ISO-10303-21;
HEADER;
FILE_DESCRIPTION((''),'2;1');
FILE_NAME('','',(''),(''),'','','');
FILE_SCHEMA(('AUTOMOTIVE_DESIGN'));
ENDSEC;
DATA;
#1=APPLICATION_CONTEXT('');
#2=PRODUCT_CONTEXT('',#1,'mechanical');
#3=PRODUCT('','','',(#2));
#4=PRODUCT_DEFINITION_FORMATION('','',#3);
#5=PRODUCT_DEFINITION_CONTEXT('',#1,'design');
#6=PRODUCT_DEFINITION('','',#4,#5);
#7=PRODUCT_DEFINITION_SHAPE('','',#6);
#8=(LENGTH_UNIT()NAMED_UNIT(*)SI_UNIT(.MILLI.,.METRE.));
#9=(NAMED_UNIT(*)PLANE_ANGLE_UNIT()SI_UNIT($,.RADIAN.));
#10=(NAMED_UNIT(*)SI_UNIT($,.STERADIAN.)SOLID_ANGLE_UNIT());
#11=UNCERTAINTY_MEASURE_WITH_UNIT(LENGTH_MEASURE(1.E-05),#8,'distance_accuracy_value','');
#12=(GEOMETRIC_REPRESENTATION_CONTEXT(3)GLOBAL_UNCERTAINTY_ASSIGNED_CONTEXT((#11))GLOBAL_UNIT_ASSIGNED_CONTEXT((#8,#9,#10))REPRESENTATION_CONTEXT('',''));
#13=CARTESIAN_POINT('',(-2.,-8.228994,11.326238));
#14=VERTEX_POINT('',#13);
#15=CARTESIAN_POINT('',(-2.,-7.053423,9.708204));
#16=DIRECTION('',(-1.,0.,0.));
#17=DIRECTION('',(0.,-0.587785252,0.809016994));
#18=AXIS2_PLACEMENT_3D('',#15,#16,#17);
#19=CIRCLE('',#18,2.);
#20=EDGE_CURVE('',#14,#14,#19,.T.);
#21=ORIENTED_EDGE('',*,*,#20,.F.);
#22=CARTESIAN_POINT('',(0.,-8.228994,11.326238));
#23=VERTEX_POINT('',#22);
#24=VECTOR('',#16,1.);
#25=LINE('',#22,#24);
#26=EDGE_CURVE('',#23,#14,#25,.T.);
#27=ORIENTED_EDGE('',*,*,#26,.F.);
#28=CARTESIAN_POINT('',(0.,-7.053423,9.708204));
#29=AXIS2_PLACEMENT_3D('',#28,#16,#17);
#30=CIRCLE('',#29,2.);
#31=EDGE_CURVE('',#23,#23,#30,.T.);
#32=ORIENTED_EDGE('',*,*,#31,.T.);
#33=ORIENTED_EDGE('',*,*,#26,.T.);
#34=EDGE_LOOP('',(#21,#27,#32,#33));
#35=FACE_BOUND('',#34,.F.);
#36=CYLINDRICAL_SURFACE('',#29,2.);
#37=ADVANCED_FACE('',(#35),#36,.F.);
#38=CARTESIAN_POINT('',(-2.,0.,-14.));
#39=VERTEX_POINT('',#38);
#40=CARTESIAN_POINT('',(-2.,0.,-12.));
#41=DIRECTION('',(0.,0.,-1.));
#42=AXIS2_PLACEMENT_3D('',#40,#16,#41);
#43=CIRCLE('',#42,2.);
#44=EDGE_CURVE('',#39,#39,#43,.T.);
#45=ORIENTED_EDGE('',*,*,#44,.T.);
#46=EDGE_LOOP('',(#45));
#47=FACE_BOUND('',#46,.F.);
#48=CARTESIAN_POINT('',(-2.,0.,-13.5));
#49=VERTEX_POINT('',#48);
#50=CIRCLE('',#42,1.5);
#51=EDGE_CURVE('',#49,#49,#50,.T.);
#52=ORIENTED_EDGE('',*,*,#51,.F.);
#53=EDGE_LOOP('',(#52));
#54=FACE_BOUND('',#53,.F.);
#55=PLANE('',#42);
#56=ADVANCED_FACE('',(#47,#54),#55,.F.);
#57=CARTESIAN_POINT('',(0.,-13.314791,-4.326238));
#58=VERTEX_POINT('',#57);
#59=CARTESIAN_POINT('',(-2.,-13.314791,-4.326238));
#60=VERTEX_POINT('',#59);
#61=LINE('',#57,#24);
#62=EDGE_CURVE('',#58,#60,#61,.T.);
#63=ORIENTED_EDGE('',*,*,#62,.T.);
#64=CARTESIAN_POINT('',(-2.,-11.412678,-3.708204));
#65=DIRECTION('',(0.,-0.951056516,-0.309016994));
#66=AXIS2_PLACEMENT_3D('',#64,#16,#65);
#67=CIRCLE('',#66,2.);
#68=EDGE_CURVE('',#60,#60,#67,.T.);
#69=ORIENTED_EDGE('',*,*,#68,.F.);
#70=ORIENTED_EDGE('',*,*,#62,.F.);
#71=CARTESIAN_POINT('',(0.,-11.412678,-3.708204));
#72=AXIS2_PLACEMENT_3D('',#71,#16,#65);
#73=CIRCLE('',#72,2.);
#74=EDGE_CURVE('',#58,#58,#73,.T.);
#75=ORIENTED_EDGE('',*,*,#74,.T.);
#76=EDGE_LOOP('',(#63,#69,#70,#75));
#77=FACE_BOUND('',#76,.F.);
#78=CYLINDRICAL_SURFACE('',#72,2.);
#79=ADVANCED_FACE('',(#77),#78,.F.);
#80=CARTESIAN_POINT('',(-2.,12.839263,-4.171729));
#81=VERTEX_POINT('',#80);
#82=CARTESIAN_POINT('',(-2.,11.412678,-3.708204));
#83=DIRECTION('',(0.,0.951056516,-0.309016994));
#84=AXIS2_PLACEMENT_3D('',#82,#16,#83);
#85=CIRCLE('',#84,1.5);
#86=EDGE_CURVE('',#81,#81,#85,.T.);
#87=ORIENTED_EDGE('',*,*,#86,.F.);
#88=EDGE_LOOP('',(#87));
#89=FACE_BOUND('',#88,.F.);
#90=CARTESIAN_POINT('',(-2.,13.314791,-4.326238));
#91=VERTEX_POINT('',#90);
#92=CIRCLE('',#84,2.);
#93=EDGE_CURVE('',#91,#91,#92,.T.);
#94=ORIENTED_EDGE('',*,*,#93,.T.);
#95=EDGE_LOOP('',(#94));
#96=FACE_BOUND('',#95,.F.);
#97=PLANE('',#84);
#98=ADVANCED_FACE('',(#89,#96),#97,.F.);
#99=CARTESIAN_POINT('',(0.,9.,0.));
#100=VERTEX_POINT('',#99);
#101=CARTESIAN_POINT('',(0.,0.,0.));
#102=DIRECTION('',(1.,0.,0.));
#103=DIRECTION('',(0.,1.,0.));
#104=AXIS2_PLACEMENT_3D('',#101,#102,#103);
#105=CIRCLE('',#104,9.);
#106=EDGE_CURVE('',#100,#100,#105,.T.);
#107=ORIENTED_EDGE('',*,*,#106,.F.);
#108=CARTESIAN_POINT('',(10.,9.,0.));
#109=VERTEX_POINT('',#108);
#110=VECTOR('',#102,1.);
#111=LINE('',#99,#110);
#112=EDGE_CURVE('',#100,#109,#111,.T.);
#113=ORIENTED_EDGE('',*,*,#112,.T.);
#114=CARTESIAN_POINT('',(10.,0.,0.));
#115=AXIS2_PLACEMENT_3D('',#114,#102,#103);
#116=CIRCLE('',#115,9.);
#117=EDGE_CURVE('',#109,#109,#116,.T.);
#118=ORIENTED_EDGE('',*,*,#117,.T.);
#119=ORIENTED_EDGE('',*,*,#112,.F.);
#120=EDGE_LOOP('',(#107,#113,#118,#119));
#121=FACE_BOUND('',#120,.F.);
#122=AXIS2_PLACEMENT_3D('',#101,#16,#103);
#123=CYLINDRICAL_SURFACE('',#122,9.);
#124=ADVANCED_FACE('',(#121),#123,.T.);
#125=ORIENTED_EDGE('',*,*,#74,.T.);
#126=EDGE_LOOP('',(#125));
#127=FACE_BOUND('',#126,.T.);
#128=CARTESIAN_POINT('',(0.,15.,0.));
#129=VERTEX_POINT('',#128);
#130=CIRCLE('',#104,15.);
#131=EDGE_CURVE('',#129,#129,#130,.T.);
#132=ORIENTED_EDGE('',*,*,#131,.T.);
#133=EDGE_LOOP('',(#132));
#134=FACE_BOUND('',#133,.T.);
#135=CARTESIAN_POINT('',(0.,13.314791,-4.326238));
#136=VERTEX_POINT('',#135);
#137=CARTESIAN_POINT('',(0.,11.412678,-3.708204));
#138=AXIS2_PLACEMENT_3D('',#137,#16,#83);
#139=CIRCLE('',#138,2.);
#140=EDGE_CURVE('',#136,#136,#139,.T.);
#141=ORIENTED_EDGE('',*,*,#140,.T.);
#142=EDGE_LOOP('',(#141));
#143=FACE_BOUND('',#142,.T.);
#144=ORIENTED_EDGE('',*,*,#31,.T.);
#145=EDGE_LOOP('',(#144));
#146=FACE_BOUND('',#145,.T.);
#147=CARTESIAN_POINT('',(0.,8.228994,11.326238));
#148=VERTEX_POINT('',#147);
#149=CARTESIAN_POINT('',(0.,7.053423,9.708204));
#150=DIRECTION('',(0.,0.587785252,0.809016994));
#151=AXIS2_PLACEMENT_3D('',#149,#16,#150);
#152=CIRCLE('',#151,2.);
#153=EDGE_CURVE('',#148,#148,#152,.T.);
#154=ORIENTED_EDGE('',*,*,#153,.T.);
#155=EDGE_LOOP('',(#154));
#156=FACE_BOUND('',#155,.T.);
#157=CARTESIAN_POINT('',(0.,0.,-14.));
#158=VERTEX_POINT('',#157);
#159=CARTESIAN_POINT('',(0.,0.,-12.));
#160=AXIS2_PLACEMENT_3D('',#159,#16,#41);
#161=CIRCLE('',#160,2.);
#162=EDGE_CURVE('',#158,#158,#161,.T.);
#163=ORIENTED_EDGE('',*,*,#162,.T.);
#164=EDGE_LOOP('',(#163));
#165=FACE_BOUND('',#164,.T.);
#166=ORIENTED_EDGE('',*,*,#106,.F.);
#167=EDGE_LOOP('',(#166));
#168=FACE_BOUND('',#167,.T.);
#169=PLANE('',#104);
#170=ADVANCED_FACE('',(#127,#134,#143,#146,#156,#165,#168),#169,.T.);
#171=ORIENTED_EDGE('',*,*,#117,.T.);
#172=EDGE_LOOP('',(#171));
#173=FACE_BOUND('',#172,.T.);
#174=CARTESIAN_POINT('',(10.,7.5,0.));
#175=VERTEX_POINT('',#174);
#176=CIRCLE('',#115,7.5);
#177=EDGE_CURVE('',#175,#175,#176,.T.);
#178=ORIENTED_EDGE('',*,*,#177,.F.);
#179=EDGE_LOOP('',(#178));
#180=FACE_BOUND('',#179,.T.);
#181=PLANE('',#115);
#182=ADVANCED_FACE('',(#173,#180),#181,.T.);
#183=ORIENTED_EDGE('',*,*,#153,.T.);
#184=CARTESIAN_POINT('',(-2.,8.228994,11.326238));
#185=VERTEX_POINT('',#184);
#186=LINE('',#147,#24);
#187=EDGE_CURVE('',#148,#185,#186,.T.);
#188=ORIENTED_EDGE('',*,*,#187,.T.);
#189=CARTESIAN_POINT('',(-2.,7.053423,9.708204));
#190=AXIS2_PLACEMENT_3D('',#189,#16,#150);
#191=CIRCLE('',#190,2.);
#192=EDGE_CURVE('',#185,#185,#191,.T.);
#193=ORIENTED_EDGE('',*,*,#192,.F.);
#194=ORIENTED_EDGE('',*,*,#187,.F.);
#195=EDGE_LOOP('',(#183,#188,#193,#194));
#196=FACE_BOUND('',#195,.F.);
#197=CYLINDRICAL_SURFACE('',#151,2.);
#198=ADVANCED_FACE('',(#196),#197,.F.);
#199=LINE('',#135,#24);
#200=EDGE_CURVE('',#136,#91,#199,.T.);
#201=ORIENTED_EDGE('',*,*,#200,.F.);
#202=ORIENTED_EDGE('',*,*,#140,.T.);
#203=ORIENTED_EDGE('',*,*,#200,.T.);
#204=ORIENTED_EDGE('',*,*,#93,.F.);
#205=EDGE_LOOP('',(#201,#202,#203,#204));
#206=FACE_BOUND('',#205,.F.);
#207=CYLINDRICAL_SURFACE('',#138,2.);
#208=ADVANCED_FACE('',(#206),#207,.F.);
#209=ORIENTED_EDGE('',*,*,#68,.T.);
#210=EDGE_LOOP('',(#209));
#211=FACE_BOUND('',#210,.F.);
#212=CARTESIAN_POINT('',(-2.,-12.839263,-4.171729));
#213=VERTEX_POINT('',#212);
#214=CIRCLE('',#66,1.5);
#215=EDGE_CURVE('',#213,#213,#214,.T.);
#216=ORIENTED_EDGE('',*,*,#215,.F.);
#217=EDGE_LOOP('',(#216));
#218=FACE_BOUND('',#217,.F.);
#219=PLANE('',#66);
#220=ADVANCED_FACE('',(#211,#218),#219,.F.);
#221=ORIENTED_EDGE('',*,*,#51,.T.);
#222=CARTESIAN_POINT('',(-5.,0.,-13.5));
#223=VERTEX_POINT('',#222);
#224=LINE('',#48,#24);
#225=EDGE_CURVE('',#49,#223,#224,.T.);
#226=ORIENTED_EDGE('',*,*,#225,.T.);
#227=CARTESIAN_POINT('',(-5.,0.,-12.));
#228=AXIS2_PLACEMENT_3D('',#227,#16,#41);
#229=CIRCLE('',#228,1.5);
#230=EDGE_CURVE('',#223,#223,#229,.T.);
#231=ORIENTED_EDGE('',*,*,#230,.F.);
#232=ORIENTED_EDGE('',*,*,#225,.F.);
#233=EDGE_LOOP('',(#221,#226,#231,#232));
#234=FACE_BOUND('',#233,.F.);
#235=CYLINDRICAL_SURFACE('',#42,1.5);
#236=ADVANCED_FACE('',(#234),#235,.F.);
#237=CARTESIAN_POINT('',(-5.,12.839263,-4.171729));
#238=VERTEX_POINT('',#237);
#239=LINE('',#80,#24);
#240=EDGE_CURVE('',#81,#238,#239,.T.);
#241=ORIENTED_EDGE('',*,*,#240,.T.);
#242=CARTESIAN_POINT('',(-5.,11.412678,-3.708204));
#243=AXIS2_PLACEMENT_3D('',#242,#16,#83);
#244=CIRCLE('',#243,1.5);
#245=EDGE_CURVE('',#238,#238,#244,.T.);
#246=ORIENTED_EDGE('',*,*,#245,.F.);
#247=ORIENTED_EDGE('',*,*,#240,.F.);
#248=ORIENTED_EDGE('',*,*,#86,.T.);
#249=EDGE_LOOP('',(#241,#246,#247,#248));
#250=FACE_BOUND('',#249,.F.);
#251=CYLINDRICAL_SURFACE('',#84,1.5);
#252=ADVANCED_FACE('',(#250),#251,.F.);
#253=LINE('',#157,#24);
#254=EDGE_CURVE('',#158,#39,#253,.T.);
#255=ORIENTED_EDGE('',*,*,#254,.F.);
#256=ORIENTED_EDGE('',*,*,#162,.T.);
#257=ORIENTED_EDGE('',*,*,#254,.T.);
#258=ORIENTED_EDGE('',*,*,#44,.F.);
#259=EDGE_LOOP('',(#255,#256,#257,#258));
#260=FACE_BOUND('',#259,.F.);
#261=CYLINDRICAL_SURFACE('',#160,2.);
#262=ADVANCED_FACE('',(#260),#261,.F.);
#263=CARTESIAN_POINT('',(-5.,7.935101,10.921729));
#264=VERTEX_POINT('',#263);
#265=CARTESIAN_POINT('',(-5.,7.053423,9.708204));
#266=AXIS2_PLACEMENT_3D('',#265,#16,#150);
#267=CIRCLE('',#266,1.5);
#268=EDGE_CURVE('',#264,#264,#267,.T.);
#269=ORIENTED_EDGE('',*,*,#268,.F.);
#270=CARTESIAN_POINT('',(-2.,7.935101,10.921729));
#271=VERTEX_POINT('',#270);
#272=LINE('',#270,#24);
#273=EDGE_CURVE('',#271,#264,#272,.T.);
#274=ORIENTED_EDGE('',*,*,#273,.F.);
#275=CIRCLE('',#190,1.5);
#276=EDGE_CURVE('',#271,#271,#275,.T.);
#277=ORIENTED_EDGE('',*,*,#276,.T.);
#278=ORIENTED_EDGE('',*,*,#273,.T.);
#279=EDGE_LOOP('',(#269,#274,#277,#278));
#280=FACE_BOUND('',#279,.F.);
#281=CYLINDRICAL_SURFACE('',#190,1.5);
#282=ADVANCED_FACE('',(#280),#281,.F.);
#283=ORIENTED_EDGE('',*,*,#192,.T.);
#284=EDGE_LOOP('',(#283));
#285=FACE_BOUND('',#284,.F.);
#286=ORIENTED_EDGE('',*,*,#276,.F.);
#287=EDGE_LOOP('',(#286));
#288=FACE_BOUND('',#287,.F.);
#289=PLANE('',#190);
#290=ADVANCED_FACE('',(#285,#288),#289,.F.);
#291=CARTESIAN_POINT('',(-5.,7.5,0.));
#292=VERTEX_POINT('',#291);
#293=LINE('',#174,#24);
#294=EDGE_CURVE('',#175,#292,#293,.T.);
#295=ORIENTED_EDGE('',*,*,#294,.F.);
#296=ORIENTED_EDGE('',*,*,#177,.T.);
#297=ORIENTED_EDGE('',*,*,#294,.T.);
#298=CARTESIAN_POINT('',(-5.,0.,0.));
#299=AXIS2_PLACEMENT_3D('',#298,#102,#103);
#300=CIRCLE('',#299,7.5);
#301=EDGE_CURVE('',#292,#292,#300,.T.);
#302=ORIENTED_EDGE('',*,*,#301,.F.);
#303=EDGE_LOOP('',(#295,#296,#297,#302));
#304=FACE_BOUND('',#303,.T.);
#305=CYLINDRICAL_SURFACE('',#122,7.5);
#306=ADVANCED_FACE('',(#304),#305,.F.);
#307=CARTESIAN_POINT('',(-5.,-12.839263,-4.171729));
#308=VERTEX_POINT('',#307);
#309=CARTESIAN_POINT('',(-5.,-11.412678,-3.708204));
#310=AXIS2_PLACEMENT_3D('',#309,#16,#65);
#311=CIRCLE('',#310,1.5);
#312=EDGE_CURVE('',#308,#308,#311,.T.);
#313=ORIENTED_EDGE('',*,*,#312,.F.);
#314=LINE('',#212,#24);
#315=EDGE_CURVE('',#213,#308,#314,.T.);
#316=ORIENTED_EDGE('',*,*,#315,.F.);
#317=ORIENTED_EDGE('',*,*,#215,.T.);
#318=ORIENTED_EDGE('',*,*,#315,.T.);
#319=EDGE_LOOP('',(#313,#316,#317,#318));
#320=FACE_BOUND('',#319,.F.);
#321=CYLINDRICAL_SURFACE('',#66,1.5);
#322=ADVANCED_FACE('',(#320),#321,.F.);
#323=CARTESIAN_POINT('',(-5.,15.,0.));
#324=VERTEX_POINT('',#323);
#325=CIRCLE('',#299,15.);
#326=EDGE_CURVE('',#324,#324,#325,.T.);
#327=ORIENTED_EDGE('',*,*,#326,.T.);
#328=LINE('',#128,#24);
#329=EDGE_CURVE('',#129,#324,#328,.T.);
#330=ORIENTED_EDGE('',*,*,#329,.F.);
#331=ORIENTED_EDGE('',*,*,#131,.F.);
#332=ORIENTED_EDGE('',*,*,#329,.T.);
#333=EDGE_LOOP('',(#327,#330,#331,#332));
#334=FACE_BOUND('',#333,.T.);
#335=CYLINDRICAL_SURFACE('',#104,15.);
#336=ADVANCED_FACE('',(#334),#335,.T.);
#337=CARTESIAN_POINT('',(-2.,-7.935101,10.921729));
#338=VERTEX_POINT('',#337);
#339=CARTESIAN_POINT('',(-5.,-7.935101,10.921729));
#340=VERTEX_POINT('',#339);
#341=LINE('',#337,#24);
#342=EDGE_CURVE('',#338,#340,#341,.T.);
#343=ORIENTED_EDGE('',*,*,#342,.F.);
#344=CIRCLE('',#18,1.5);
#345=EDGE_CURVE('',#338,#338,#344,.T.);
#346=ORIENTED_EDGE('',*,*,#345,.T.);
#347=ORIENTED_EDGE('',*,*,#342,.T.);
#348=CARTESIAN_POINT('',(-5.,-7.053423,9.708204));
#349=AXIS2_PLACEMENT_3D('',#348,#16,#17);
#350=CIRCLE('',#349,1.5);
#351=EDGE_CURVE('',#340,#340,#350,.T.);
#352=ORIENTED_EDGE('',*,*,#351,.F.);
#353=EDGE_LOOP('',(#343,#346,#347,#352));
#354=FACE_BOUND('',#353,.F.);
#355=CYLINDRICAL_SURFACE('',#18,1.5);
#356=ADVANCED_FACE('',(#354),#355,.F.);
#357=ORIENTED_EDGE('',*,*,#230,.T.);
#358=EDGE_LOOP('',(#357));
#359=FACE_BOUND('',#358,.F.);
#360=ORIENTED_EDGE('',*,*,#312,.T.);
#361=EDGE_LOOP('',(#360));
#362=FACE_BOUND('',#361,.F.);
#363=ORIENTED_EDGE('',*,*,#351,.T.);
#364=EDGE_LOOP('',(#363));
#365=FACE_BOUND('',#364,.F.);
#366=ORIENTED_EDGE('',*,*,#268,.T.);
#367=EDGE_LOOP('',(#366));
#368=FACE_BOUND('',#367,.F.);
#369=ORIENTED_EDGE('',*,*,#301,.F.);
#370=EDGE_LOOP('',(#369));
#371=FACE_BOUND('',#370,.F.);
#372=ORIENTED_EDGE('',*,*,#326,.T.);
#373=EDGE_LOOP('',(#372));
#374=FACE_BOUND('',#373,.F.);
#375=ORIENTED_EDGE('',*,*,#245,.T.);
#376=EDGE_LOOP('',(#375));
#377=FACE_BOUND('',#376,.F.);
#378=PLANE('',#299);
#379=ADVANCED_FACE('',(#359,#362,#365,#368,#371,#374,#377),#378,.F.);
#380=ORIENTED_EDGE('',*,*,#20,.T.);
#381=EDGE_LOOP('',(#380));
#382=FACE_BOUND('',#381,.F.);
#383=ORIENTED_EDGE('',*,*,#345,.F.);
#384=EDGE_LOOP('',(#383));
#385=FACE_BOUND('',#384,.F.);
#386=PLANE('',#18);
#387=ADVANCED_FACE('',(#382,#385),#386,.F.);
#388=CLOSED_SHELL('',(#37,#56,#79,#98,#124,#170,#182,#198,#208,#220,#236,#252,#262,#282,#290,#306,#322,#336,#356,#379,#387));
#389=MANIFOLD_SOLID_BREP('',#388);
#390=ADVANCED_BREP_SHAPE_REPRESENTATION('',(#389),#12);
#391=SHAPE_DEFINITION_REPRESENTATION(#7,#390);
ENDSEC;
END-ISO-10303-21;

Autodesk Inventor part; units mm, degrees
ref_plane "YZ Plane" through (0, 0, 0) normal (1, 0, 0) x (0, 1, 0)
ref_plane "XZ Plane" through (0, 0, 0) normal (0, 1, 0) x (-1, 0, 0)
ref_plane "XY Plane" through (0, 0, 0) normal (0, 0, 1) x (1, 0, 0)
sketch "Sketch1" plane through (0, 0, 0) normal (1, 0, 0) x (0, 1, 0)
  circle A0 centre (0, 0) radius 7.5
  circle A1 centre (0, 0) radius 9
  circle A2 centre (0, 0) radius 15
  dimension "d0" = 15
  dimension "d1" = 18
  dimension "d2" = 30
extrude "Extrusion1" add sketch "Sketch1" against normal blind 5 contours A1 | A2
extrude "Extrusion2" add sketch "Sketch1" along normal blind 10 contours A1
sketch "Sketch2" plane through (0, 0, 0) normal (1, 0, 0) x (0, 0, -1)
  point P0 (0, 0)
  point P1 (12, 0)
  dimension "d7" = 12
hole "Hole1" at (0, 0, -12) direction (-1, 0, 0) diameter 3 end through all counterbore diameter 4 counterbore depth 2
pattern_circular "Circular Pattern1" count 5 over 360 about axis through (0, 0, 0) along (-1, 0, 0) of "Hole1"
